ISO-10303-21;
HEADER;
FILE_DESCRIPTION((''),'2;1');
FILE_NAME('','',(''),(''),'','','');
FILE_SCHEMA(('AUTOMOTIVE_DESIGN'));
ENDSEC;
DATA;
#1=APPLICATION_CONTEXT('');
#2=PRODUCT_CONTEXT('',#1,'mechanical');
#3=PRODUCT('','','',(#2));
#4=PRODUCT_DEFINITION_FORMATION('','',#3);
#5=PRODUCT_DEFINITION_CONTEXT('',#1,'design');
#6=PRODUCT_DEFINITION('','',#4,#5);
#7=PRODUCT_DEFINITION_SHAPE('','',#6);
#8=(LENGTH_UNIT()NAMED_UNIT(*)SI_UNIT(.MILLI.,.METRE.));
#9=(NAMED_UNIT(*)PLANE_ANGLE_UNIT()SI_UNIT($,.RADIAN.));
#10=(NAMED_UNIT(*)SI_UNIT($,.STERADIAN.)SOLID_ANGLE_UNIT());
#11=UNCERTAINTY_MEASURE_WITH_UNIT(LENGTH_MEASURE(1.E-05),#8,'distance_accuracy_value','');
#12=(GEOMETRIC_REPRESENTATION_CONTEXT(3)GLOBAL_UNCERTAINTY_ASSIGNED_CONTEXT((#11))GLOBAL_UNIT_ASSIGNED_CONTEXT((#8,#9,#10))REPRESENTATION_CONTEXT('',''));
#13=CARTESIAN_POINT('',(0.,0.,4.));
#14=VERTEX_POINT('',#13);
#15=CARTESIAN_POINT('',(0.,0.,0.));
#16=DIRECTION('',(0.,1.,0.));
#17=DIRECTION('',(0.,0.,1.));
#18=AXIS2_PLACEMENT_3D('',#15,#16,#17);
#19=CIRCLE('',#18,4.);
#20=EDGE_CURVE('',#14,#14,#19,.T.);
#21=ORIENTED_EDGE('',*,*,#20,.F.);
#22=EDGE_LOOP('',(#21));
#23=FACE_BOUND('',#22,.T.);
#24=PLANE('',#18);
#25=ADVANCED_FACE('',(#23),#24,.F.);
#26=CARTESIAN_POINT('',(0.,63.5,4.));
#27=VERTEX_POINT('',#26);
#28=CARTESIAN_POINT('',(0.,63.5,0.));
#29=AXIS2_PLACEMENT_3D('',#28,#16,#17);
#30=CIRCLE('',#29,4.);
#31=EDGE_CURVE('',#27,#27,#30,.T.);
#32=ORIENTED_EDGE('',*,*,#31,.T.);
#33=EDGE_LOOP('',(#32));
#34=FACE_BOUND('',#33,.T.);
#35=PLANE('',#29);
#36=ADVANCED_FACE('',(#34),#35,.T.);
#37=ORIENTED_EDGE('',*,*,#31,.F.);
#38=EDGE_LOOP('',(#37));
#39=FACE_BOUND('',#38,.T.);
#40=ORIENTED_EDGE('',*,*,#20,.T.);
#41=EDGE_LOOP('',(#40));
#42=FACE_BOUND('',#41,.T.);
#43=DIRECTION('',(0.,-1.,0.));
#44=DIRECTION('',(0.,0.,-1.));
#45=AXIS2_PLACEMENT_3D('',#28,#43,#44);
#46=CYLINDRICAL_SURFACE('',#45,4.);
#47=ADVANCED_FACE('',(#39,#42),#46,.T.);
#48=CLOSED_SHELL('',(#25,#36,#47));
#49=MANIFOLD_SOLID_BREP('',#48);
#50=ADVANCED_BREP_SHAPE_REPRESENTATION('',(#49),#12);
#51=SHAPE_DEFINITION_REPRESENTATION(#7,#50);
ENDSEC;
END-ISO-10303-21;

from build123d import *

# Parameters (mm, degrees)
SKETCH1_R           = 4
BOSS_EXTRUDE1_DEPTH = 63.5


with BuildPart() as part:
    # Sketch1 → Boss-Extrude1 (new body)
    with BuildSketch(Plane(origin=(0, 0, 0), x_dir=(1, 0, 0), z_dir=(0, 1, 0))):
        Circle(SKETCH1_R)
    extrude(amount=BOSS_EXTRUDE1_DEPTH)


solid = part.part
